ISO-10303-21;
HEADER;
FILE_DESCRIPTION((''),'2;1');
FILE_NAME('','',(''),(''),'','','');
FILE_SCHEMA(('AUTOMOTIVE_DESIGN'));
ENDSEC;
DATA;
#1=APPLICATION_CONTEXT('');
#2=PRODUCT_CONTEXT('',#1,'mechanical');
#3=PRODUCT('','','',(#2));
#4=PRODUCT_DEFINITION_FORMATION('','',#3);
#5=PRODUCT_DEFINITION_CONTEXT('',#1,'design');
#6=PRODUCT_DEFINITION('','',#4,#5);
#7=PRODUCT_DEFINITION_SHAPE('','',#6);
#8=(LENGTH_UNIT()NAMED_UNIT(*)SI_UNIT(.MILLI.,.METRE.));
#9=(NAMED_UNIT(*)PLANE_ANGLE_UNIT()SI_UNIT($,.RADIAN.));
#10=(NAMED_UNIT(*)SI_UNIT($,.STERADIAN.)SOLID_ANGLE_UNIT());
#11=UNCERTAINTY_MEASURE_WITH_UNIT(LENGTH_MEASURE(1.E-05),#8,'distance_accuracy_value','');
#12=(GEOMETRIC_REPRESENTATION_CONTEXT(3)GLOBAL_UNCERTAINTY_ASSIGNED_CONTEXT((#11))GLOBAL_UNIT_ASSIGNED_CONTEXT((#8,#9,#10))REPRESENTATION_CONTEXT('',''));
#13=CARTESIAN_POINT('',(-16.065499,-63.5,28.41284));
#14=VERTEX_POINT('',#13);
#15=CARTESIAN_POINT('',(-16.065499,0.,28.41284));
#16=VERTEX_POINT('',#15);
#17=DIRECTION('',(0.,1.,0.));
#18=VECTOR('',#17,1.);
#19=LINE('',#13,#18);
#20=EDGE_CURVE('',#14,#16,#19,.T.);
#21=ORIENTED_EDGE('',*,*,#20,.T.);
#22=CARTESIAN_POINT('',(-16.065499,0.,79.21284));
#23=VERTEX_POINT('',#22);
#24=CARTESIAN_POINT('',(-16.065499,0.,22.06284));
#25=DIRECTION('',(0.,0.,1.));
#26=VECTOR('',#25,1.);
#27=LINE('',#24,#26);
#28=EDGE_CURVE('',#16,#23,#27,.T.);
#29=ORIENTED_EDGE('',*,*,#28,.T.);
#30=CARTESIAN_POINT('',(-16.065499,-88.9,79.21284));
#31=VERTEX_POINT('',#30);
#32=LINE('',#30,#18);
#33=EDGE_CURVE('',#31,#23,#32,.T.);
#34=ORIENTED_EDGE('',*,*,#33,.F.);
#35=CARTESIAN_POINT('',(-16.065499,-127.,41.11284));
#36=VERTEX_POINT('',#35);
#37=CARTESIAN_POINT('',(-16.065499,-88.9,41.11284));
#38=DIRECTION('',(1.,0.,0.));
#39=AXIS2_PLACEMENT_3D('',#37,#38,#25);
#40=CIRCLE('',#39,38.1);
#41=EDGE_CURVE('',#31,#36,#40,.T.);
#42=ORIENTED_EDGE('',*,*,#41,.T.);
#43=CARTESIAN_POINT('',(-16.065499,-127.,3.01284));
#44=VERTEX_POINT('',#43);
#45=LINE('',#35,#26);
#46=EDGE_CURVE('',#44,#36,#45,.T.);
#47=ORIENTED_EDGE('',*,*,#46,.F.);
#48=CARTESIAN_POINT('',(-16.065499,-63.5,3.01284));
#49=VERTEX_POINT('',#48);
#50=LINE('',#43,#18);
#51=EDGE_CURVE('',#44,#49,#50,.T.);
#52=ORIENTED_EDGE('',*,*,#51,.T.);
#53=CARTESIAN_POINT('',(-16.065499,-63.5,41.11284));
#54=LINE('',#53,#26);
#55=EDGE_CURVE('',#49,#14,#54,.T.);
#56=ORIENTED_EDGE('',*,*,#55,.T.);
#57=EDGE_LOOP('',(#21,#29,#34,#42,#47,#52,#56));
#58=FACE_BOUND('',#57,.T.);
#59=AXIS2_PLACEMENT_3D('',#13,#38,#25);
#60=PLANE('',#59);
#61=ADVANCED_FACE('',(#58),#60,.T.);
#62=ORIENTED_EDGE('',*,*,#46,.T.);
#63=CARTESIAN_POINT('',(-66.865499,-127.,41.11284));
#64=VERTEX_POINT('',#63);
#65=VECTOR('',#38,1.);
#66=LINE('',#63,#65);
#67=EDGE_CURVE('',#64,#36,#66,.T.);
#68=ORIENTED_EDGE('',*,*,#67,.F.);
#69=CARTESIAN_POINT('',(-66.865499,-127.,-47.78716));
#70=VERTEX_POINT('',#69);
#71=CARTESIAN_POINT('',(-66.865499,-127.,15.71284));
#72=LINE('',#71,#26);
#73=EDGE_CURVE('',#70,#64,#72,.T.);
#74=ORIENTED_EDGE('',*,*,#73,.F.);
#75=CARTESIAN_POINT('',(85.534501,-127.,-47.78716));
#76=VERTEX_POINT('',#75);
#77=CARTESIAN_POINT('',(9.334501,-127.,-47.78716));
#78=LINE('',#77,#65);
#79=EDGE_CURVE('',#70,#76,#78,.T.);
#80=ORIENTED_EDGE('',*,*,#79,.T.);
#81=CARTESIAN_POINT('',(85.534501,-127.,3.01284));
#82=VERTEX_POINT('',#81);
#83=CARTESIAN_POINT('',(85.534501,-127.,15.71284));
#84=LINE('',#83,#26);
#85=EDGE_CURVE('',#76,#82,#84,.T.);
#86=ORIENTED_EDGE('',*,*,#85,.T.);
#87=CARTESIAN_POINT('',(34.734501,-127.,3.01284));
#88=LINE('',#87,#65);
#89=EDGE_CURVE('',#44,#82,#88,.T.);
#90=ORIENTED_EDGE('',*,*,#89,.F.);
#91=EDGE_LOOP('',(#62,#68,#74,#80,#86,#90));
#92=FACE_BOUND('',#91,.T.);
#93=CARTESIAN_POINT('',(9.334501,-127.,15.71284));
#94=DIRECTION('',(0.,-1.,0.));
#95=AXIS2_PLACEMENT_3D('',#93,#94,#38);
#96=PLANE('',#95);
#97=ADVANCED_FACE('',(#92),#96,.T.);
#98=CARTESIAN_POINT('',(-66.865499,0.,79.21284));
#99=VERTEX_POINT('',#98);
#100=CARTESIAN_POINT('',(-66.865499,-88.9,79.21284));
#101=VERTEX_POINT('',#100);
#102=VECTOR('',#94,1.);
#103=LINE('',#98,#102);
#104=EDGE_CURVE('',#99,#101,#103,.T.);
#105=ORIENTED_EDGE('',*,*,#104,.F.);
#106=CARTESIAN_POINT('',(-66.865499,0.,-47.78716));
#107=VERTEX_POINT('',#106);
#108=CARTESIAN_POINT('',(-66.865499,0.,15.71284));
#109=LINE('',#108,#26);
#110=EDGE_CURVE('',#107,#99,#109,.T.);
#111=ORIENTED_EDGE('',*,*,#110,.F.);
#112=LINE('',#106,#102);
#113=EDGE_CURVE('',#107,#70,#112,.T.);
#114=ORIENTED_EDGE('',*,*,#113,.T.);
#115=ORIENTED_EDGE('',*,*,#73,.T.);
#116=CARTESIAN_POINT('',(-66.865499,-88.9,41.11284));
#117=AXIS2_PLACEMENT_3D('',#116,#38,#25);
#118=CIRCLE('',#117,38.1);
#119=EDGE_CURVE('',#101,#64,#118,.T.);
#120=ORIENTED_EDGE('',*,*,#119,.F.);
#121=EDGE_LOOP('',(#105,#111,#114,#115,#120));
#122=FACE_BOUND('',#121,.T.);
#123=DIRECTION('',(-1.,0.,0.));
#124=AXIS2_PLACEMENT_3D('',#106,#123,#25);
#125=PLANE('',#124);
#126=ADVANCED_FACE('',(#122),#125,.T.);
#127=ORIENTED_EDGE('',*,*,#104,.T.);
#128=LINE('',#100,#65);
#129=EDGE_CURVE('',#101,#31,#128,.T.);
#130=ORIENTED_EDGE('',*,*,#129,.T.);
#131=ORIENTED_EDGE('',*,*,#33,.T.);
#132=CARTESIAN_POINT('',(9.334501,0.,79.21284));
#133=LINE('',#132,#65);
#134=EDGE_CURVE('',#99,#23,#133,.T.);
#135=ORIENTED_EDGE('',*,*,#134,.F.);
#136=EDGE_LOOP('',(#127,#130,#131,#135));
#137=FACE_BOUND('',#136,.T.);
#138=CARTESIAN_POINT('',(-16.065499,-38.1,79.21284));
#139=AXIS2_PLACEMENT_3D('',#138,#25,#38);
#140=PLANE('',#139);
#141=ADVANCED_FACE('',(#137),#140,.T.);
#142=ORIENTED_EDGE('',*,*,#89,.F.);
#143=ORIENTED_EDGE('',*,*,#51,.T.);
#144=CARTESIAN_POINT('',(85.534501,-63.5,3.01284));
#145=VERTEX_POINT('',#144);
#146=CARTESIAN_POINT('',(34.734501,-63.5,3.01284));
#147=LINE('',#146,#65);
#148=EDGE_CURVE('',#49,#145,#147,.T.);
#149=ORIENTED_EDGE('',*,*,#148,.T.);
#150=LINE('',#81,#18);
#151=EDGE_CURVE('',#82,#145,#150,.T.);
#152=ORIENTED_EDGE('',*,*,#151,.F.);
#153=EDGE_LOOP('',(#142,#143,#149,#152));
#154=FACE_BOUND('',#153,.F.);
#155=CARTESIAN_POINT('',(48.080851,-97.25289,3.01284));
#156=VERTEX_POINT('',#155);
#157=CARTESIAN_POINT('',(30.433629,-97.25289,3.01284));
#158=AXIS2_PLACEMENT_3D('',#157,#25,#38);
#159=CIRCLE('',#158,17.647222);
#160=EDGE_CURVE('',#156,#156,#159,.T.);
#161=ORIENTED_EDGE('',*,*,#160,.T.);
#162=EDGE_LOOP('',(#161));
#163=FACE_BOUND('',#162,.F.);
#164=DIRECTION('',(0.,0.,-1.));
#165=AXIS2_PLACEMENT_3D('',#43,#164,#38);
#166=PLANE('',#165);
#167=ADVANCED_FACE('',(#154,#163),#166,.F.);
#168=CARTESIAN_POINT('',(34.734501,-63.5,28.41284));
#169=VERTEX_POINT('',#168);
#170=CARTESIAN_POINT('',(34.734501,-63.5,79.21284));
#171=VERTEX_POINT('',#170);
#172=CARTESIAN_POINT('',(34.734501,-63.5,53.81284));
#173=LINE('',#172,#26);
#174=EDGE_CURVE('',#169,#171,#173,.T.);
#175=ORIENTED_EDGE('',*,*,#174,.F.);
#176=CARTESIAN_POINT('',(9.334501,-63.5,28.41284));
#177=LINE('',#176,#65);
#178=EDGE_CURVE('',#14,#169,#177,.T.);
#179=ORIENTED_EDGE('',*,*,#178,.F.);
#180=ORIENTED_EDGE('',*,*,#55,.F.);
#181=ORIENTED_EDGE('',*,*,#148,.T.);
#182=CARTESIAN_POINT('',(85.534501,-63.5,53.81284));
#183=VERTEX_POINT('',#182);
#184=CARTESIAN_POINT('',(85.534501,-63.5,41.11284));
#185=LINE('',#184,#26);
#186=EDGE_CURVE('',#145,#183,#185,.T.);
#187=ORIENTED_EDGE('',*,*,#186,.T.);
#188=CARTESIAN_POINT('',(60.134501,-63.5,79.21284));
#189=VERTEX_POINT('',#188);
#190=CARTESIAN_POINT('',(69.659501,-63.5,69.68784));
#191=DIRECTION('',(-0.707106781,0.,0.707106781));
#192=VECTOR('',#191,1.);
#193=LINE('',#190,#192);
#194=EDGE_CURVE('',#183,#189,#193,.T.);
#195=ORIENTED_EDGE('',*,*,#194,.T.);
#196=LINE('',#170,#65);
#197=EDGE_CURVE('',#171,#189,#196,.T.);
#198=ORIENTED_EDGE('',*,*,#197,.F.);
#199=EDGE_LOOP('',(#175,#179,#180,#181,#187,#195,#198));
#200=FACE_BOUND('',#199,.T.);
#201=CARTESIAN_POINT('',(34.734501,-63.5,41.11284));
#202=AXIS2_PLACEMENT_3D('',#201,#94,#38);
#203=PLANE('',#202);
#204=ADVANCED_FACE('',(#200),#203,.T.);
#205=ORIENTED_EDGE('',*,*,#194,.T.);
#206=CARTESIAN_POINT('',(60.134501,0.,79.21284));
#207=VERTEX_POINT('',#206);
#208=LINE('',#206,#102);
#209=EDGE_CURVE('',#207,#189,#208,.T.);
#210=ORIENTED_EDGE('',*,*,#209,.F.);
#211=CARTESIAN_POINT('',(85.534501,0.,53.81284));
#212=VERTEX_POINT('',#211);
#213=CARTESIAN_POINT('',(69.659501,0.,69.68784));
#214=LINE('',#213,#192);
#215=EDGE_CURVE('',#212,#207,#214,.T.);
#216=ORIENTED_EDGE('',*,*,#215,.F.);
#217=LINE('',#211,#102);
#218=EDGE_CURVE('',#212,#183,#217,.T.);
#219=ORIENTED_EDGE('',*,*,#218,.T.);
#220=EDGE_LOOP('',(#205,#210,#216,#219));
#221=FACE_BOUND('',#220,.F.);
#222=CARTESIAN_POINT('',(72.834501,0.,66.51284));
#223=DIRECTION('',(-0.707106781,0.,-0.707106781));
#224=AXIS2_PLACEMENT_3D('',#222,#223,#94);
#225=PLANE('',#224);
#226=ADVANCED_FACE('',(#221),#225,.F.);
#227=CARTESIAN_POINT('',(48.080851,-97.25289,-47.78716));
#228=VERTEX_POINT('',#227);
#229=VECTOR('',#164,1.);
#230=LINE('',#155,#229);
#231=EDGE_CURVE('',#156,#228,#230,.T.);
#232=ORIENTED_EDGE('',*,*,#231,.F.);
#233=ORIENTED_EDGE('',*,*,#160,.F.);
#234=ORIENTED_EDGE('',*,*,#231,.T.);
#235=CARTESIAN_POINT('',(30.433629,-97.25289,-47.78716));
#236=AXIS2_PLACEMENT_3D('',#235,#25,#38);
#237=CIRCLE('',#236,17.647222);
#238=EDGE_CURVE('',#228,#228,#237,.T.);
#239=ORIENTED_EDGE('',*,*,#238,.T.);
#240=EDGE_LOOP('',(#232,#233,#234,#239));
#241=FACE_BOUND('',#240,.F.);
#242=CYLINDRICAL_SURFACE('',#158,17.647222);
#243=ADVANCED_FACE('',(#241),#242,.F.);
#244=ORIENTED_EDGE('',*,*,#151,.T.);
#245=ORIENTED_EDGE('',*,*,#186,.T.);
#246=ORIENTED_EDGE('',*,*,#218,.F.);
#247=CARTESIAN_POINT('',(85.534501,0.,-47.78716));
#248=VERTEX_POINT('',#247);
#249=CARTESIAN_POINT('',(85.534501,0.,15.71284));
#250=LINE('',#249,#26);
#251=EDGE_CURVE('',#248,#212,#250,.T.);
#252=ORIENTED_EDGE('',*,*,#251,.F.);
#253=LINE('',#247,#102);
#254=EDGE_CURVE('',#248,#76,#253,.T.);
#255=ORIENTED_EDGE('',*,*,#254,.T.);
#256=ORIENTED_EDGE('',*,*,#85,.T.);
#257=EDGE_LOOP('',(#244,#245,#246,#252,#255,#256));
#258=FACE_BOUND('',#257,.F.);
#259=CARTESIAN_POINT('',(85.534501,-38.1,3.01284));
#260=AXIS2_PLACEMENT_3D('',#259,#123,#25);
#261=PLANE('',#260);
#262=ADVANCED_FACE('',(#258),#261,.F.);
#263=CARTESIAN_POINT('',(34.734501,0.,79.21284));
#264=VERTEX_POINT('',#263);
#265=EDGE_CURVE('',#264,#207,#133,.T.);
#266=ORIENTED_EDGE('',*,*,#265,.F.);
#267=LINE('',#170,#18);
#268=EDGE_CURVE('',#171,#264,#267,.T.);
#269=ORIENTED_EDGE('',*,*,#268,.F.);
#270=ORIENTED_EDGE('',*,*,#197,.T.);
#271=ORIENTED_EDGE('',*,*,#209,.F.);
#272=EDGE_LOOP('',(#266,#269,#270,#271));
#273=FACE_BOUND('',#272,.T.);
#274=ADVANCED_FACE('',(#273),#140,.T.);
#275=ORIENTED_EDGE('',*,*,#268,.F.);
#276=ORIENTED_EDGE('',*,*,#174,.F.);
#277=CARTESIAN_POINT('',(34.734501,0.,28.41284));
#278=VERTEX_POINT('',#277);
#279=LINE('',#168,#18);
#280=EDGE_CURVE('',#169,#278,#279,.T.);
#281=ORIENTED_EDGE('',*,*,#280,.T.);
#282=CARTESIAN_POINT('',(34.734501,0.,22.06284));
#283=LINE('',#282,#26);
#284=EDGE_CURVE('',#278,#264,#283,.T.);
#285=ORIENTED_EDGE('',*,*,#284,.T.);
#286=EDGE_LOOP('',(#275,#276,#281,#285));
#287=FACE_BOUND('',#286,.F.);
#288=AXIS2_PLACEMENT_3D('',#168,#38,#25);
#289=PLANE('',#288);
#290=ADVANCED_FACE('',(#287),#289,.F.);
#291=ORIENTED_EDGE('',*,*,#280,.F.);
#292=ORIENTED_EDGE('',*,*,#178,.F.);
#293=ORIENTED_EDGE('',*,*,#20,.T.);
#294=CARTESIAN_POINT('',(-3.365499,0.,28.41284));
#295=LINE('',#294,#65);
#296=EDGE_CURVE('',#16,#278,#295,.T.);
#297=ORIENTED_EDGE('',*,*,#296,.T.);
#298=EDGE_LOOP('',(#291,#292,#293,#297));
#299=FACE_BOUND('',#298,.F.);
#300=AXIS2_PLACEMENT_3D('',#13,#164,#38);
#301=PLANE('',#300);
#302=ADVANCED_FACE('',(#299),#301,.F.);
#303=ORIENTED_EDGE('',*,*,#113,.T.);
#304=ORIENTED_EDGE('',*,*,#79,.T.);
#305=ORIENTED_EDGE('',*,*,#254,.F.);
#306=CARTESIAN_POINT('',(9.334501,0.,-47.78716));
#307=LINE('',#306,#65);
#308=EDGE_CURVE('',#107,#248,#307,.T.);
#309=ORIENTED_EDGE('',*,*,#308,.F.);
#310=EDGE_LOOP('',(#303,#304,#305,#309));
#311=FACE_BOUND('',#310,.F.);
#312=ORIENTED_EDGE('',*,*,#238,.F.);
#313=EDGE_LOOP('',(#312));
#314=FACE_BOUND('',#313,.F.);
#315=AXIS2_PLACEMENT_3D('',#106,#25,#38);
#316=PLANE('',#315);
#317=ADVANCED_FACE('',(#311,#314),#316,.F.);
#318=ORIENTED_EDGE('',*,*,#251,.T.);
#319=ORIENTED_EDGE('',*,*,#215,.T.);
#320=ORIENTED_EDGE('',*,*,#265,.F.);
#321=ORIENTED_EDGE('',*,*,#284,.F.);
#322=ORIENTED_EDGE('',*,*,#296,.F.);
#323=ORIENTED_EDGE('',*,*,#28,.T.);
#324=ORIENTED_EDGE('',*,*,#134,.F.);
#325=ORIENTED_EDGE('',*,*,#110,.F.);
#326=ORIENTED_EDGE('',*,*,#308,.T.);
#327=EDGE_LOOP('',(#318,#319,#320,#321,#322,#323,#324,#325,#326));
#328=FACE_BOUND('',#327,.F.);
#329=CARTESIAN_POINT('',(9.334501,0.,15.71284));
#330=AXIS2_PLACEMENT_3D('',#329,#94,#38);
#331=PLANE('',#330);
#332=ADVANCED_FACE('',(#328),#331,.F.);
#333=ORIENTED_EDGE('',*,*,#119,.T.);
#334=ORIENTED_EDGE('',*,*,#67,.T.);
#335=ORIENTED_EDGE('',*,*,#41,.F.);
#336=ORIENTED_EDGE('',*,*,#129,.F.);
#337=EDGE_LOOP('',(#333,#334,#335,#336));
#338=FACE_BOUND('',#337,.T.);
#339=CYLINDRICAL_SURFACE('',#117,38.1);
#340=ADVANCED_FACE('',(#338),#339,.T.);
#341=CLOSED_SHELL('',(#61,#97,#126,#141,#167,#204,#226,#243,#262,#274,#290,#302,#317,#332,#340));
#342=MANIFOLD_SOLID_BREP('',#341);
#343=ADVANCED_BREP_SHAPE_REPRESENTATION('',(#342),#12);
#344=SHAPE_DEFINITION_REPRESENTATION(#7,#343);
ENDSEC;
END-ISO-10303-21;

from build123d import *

# Parameters (mm, degrees)
F0_W      = 152.4
F0_H      = 127
F1_DEPTH  = 127
F2_W      = 101.6
F2_H      = 76.2
F3_DEPTH  = 88.9
F4_R      = 38.1
F5_DEPTH  = 25.4
F6_W      = 50.8
F6_H      = 50.8
F7_DEPTH  = 63.501
F8_SIZE   = 25.4
F9_R      = 17.6472220147
F10_DEPTH = 50.801


with BuildPart() as f1:
    # F0 (on Front) → F1 (new body)
    with BuildSketch(Plane.XZ):
        with Locations((9.334500879, 15.7128399368)):
            Rectangle(F0_W, F0_H)
    extrude(amount=F1_DEPTH)

    # F2 (on face) → F3 (cut)
    with BuildSketch(Plane.XZ.offset(127)):
        with Locations((34.734500879, 41.1128399368)):
            Rectangle(F2_W, F2_H)
    extrude(amount=-F3_DEPTH, mode=Mode.SUBTRACT)

    # F4
    f4_edges = [f1.edges().sort_by_distance(p)[0] for p in [
        (-41.465499, -127, 79.21284),
    ]]
    fillet(f4_edges, radius=F4_R)

    # F5 (add): a face of the model
    f5_faces = [f1.faces().sort_by_distance(p)[0] for p in [
        (34.734500879, -38.1, 41.1128399368),
    ]]
    extrude(f5_faces, amount=F5_DEPTH)

    # F6 (on face) → F7 (cut, through all)
    with BuildSketch(Plane.XZ.offset(63.5)):
        with Locations((9.334500879, 53.8128399368)):
            Rectangle(F6_W, F6_H)
    extrude(amount=-F7_DEPTH, mode=Mode.SUBTRACT)

    # F8
    f8_edges = [f1.edges().sort_by_distance(p)[0] for p in [
        (85.534501, -31.75, 79.21284),
    ]]
    chamfer(f8_edges, length=F8_SIZE)

    # F9 (on face) → F10 (cut, through all)
    with BuildSketch(Plane.XY.offset(3.0128399368)):
        with Locations((30.4336287081, -97.2528904676)):
            Circle(F9_R)
    extrude(amount=-F10_DEPTH, mode=Mode.SUBTRACT)


solid = f1.part
